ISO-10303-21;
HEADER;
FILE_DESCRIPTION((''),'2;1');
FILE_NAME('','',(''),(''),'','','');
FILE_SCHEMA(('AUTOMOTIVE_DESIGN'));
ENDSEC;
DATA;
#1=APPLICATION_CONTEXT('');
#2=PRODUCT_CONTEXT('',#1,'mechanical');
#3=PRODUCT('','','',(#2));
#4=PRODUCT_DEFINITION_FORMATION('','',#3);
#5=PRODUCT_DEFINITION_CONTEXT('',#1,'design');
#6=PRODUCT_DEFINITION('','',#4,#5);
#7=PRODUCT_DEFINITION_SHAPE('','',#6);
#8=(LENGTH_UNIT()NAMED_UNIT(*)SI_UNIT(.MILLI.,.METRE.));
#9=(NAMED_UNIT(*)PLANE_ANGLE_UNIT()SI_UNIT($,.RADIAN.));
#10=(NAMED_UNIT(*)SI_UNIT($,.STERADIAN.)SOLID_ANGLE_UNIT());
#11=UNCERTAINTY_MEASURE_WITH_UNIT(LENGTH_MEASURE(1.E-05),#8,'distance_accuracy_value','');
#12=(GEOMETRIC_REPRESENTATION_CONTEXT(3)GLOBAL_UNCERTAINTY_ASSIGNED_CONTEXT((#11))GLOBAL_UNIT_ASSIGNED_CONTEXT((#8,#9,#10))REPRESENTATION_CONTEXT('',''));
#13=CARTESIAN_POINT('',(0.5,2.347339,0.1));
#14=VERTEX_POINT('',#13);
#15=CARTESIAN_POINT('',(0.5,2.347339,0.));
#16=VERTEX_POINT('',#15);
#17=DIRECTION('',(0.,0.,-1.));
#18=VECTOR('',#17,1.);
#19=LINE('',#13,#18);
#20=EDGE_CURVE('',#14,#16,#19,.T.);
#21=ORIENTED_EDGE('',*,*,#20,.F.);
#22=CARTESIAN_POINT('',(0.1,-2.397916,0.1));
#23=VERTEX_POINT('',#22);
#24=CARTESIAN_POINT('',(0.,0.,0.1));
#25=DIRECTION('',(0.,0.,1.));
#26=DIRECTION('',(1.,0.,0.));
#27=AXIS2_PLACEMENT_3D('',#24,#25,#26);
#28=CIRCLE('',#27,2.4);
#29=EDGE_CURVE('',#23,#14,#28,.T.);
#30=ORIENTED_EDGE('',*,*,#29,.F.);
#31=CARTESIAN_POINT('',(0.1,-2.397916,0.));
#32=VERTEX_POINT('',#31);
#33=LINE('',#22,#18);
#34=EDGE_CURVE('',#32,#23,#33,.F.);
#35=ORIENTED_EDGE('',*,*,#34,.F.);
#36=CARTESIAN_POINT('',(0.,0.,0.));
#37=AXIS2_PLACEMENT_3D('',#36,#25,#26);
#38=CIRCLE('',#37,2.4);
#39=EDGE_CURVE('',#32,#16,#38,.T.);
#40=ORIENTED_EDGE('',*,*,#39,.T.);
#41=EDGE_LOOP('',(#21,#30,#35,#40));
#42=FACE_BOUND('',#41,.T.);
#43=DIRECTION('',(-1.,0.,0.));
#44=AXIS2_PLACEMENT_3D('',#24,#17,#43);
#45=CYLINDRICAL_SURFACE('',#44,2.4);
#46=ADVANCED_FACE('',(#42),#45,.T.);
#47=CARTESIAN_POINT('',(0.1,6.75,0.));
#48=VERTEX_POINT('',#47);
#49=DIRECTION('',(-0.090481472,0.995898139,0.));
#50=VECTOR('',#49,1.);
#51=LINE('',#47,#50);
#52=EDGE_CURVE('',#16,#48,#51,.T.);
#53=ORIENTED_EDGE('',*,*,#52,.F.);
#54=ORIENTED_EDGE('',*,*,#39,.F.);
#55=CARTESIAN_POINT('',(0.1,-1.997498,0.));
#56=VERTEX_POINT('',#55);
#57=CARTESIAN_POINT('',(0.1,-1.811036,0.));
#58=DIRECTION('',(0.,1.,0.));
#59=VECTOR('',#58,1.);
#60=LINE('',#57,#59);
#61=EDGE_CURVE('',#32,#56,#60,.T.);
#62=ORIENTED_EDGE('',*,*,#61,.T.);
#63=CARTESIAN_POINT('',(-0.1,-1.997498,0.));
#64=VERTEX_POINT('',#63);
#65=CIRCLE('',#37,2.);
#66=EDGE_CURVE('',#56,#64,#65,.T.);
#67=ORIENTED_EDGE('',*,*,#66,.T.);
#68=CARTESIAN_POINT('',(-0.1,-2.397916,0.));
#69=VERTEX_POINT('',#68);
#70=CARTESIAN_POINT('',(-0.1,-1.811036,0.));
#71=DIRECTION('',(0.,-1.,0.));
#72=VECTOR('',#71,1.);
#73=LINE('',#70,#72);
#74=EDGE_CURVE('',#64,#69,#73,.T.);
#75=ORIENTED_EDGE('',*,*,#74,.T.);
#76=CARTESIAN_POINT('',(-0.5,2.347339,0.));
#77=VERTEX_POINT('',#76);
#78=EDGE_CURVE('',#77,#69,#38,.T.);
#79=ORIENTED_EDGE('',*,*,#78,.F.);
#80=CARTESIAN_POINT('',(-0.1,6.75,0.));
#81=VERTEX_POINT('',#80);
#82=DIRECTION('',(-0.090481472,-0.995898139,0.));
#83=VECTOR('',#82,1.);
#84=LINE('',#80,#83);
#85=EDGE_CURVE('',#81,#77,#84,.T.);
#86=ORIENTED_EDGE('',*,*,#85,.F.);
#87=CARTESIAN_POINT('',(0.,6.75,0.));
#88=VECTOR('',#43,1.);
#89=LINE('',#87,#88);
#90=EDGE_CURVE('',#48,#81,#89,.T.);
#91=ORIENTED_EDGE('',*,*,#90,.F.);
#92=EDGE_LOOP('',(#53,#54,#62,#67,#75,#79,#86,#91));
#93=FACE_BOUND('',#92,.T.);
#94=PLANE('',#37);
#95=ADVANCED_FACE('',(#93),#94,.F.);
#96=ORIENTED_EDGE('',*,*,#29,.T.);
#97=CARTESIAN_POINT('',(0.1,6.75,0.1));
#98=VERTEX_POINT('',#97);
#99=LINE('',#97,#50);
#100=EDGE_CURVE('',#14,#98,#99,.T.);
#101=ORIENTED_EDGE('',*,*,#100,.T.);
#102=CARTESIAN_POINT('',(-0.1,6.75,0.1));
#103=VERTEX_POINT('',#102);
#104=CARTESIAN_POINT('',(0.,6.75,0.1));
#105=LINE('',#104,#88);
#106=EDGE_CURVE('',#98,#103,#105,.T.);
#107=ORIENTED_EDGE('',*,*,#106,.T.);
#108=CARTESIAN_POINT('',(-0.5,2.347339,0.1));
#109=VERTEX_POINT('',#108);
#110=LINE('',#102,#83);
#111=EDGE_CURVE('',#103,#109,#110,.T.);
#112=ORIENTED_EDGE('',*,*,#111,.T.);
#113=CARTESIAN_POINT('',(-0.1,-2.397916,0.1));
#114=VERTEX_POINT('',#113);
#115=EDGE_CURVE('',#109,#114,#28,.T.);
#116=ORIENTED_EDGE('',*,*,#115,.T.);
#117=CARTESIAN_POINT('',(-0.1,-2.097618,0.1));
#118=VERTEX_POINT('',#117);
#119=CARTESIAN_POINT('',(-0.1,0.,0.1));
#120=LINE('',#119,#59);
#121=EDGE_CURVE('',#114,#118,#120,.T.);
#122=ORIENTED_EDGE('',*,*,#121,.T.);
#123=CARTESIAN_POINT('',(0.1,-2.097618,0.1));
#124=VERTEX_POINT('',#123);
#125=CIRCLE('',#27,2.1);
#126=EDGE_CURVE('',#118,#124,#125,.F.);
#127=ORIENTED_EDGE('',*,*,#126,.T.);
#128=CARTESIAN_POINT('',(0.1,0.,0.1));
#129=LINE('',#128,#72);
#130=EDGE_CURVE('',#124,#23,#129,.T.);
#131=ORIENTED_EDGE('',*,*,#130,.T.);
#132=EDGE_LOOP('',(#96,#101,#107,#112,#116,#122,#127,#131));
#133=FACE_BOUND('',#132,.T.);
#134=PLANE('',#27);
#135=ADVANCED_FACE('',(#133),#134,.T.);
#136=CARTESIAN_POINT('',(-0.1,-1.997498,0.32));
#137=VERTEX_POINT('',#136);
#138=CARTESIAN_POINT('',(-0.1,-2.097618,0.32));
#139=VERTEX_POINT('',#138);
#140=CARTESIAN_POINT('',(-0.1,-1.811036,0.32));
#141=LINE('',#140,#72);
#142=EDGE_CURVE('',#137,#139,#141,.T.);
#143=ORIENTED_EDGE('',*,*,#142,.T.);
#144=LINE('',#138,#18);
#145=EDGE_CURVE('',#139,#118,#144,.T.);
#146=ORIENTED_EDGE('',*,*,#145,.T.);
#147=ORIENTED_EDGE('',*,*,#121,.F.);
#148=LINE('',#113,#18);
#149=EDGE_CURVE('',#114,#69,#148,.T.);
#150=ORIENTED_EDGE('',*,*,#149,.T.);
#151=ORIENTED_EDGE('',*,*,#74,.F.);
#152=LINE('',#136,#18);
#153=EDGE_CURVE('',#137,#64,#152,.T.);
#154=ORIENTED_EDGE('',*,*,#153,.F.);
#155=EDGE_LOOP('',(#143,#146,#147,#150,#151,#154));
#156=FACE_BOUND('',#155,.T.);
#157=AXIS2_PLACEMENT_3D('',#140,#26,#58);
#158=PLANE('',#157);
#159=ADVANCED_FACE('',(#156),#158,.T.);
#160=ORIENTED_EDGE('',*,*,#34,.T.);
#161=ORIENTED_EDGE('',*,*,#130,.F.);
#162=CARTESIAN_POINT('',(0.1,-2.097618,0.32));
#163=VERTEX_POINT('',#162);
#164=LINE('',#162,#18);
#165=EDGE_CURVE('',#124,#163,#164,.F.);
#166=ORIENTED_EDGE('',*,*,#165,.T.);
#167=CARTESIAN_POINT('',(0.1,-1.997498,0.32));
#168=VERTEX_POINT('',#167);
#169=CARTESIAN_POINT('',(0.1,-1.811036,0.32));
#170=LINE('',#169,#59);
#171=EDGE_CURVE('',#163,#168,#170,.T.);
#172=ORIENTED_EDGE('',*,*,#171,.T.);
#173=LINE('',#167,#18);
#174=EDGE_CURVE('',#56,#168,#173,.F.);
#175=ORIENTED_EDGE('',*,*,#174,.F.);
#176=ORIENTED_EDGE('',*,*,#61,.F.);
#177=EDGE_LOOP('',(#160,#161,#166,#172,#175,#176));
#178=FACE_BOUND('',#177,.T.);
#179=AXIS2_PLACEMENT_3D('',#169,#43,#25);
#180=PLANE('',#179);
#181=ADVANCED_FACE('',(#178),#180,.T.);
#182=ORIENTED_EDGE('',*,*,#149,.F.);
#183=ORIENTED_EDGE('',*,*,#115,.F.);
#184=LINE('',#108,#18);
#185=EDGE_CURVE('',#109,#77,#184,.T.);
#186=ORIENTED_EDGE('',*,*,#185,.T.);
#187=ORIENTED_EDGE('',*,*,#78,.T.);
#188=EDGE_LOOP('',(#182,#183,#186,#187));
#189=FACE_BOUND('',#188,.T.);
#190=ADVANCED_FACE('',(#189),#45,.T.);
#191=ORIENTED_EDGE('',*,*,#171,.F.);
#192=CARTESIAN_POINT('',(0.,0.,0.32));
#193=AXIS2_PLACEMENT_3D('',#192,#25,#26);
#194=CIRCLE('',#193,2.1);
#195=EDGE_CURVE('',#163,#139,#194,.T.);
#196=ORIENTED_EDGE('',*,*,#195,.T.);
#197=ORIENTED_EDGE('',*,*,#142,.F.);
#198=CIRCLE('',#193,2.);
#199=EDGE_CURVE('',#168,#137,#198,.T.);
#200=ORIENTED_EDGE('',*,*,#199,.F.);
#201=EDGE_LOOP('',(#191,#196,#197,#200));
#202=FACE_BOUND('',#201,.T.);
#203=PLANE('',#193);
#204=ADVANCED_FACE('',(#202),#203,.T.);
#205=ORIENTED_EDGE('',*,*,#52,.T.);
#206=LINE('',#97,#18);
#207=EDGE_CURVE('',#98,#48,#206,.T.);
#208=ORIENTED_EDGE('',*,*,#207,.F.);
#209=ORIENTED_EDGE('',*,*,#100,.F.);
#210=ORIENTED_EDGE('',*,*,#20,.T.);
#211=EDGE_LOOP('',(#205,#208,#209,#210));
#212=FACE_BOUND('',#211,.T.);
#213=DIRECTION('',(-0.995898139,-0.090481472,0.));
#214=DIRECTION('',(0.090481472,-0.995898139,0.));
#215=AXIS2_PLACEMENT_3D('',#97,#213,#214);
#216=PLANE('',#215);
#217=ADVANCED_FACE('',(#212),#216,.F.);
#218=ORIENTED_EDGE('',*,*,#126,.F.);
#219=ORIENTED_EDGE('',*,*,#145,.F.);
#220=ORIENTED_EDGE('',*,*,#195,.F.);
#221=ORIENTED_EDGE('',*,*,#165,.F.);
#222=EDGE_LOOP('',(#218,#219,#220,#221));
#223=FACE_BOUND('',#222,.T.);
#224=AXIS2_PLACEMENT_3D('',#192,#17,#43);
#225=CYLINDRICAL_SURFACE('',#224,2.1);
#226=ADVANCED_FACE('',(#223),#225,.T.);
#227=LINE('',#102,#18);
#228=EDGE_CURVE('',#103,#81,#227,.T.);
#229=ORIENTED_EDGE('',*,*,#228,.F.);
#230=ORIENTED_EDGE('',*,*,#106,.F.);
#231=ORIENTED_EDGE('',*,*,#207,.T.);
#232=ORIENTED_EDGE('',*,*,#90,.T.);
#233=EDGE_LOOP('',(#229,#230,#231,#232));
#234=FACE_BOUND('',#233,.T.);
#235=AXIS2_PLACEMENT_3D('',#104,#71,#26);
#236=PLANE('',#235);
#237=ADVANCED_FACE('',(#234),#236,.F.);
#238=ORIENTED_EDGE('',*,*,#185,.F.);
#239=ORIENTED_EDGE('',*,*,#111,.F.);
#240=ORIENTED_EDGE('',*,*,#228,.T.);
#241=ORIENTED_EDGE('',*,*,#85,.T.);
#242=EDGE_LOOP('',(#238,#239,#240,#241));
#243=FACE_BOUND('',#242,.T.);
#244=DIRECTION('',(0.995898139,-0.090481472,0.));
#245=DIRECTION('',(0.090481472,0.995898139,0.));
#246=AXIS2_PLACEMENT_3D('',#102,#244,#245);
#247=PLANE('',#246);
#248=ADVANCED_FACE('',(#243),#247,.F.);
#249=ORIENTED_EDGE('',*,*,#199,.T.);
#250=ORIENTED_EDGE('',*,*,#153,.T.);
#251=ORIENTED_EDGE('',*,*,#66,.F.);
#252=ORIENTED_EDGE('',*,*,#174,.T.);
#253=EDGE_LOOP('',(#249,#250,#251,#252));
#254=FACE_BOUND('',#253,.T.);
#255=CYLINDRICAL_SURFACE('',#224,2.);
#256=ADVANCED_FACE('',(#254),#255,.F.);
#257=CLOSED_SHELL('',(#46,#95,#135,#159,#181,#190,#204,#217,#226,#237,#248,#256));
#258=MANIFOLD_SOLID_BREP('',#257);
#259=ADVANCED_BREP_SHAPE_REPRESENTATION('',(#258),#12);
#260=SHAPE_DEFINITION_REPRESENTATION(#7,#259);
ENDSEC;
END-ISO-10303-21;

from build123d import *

# Parameters (mm, degrees)
BOSS_EXTRUDE1_DEPTH = 0.1
SKETCH3_R           = 2.1
BOSS_EXTRUDE2_DEPTH = 0.32
SKETCH4_R           = 2
CUT_EXTRUDE1_DEPTH  = 1.32
SKETCH5_W           = 0.2
SKETCH5_H           = 0.897152977
CUT_EXTRUDE2_DEPTH  = 1.32


with BuildPart() as part:
    # Sketch1 → Boss-Extrude1 (new body)
    with BuildSketch(Plane.XY):
        with BuildLine():
            Line((0, 6.75), (0.1, 6.75))
            Line((0.1, 6.75), (0.5, 2.347338919))
            ThreePointArc((0.5, 2.347338919), (0, -2.4), (-0.5, 2.347338919))
            Line((-0.5, 2.347338919), (-0.1, 6.75))
            Line((-0.1, 6.75), (0, 6.75))
        make_face()
    extrude(amount=BOSS_EXTRUDE1_DEPTH)

    # Sketch3 → Boss-Extrude2 (add)
    with BuildSketch(Plane.XY):
        Circle(SKETCH3_R)
    extrude(amount=BOSS_EXTRUDE2_DEPTH)

    # Sketch4 → Cut-Extrude1 (cut, through all)
    with BuildSketch(Plane.XY):
        Circle(SKETCH4_R)
    extrude(amount=CUT_EXTRUDE1_DEPTH, mode=Mode.SUBTRACT)

    # Sketch5 → Cut-Extrude2 (cut, through all)
    with BuildSketch(Plane.XY):
        with Locations((0, -2.259612308)):
            Rectangle(SKETCH5_W, SKETCH5_H)
    extrude(amount=CUT_EXTRUDE2_DEPTH, mode=Mode.SUBTRACT)


solid = part.part
